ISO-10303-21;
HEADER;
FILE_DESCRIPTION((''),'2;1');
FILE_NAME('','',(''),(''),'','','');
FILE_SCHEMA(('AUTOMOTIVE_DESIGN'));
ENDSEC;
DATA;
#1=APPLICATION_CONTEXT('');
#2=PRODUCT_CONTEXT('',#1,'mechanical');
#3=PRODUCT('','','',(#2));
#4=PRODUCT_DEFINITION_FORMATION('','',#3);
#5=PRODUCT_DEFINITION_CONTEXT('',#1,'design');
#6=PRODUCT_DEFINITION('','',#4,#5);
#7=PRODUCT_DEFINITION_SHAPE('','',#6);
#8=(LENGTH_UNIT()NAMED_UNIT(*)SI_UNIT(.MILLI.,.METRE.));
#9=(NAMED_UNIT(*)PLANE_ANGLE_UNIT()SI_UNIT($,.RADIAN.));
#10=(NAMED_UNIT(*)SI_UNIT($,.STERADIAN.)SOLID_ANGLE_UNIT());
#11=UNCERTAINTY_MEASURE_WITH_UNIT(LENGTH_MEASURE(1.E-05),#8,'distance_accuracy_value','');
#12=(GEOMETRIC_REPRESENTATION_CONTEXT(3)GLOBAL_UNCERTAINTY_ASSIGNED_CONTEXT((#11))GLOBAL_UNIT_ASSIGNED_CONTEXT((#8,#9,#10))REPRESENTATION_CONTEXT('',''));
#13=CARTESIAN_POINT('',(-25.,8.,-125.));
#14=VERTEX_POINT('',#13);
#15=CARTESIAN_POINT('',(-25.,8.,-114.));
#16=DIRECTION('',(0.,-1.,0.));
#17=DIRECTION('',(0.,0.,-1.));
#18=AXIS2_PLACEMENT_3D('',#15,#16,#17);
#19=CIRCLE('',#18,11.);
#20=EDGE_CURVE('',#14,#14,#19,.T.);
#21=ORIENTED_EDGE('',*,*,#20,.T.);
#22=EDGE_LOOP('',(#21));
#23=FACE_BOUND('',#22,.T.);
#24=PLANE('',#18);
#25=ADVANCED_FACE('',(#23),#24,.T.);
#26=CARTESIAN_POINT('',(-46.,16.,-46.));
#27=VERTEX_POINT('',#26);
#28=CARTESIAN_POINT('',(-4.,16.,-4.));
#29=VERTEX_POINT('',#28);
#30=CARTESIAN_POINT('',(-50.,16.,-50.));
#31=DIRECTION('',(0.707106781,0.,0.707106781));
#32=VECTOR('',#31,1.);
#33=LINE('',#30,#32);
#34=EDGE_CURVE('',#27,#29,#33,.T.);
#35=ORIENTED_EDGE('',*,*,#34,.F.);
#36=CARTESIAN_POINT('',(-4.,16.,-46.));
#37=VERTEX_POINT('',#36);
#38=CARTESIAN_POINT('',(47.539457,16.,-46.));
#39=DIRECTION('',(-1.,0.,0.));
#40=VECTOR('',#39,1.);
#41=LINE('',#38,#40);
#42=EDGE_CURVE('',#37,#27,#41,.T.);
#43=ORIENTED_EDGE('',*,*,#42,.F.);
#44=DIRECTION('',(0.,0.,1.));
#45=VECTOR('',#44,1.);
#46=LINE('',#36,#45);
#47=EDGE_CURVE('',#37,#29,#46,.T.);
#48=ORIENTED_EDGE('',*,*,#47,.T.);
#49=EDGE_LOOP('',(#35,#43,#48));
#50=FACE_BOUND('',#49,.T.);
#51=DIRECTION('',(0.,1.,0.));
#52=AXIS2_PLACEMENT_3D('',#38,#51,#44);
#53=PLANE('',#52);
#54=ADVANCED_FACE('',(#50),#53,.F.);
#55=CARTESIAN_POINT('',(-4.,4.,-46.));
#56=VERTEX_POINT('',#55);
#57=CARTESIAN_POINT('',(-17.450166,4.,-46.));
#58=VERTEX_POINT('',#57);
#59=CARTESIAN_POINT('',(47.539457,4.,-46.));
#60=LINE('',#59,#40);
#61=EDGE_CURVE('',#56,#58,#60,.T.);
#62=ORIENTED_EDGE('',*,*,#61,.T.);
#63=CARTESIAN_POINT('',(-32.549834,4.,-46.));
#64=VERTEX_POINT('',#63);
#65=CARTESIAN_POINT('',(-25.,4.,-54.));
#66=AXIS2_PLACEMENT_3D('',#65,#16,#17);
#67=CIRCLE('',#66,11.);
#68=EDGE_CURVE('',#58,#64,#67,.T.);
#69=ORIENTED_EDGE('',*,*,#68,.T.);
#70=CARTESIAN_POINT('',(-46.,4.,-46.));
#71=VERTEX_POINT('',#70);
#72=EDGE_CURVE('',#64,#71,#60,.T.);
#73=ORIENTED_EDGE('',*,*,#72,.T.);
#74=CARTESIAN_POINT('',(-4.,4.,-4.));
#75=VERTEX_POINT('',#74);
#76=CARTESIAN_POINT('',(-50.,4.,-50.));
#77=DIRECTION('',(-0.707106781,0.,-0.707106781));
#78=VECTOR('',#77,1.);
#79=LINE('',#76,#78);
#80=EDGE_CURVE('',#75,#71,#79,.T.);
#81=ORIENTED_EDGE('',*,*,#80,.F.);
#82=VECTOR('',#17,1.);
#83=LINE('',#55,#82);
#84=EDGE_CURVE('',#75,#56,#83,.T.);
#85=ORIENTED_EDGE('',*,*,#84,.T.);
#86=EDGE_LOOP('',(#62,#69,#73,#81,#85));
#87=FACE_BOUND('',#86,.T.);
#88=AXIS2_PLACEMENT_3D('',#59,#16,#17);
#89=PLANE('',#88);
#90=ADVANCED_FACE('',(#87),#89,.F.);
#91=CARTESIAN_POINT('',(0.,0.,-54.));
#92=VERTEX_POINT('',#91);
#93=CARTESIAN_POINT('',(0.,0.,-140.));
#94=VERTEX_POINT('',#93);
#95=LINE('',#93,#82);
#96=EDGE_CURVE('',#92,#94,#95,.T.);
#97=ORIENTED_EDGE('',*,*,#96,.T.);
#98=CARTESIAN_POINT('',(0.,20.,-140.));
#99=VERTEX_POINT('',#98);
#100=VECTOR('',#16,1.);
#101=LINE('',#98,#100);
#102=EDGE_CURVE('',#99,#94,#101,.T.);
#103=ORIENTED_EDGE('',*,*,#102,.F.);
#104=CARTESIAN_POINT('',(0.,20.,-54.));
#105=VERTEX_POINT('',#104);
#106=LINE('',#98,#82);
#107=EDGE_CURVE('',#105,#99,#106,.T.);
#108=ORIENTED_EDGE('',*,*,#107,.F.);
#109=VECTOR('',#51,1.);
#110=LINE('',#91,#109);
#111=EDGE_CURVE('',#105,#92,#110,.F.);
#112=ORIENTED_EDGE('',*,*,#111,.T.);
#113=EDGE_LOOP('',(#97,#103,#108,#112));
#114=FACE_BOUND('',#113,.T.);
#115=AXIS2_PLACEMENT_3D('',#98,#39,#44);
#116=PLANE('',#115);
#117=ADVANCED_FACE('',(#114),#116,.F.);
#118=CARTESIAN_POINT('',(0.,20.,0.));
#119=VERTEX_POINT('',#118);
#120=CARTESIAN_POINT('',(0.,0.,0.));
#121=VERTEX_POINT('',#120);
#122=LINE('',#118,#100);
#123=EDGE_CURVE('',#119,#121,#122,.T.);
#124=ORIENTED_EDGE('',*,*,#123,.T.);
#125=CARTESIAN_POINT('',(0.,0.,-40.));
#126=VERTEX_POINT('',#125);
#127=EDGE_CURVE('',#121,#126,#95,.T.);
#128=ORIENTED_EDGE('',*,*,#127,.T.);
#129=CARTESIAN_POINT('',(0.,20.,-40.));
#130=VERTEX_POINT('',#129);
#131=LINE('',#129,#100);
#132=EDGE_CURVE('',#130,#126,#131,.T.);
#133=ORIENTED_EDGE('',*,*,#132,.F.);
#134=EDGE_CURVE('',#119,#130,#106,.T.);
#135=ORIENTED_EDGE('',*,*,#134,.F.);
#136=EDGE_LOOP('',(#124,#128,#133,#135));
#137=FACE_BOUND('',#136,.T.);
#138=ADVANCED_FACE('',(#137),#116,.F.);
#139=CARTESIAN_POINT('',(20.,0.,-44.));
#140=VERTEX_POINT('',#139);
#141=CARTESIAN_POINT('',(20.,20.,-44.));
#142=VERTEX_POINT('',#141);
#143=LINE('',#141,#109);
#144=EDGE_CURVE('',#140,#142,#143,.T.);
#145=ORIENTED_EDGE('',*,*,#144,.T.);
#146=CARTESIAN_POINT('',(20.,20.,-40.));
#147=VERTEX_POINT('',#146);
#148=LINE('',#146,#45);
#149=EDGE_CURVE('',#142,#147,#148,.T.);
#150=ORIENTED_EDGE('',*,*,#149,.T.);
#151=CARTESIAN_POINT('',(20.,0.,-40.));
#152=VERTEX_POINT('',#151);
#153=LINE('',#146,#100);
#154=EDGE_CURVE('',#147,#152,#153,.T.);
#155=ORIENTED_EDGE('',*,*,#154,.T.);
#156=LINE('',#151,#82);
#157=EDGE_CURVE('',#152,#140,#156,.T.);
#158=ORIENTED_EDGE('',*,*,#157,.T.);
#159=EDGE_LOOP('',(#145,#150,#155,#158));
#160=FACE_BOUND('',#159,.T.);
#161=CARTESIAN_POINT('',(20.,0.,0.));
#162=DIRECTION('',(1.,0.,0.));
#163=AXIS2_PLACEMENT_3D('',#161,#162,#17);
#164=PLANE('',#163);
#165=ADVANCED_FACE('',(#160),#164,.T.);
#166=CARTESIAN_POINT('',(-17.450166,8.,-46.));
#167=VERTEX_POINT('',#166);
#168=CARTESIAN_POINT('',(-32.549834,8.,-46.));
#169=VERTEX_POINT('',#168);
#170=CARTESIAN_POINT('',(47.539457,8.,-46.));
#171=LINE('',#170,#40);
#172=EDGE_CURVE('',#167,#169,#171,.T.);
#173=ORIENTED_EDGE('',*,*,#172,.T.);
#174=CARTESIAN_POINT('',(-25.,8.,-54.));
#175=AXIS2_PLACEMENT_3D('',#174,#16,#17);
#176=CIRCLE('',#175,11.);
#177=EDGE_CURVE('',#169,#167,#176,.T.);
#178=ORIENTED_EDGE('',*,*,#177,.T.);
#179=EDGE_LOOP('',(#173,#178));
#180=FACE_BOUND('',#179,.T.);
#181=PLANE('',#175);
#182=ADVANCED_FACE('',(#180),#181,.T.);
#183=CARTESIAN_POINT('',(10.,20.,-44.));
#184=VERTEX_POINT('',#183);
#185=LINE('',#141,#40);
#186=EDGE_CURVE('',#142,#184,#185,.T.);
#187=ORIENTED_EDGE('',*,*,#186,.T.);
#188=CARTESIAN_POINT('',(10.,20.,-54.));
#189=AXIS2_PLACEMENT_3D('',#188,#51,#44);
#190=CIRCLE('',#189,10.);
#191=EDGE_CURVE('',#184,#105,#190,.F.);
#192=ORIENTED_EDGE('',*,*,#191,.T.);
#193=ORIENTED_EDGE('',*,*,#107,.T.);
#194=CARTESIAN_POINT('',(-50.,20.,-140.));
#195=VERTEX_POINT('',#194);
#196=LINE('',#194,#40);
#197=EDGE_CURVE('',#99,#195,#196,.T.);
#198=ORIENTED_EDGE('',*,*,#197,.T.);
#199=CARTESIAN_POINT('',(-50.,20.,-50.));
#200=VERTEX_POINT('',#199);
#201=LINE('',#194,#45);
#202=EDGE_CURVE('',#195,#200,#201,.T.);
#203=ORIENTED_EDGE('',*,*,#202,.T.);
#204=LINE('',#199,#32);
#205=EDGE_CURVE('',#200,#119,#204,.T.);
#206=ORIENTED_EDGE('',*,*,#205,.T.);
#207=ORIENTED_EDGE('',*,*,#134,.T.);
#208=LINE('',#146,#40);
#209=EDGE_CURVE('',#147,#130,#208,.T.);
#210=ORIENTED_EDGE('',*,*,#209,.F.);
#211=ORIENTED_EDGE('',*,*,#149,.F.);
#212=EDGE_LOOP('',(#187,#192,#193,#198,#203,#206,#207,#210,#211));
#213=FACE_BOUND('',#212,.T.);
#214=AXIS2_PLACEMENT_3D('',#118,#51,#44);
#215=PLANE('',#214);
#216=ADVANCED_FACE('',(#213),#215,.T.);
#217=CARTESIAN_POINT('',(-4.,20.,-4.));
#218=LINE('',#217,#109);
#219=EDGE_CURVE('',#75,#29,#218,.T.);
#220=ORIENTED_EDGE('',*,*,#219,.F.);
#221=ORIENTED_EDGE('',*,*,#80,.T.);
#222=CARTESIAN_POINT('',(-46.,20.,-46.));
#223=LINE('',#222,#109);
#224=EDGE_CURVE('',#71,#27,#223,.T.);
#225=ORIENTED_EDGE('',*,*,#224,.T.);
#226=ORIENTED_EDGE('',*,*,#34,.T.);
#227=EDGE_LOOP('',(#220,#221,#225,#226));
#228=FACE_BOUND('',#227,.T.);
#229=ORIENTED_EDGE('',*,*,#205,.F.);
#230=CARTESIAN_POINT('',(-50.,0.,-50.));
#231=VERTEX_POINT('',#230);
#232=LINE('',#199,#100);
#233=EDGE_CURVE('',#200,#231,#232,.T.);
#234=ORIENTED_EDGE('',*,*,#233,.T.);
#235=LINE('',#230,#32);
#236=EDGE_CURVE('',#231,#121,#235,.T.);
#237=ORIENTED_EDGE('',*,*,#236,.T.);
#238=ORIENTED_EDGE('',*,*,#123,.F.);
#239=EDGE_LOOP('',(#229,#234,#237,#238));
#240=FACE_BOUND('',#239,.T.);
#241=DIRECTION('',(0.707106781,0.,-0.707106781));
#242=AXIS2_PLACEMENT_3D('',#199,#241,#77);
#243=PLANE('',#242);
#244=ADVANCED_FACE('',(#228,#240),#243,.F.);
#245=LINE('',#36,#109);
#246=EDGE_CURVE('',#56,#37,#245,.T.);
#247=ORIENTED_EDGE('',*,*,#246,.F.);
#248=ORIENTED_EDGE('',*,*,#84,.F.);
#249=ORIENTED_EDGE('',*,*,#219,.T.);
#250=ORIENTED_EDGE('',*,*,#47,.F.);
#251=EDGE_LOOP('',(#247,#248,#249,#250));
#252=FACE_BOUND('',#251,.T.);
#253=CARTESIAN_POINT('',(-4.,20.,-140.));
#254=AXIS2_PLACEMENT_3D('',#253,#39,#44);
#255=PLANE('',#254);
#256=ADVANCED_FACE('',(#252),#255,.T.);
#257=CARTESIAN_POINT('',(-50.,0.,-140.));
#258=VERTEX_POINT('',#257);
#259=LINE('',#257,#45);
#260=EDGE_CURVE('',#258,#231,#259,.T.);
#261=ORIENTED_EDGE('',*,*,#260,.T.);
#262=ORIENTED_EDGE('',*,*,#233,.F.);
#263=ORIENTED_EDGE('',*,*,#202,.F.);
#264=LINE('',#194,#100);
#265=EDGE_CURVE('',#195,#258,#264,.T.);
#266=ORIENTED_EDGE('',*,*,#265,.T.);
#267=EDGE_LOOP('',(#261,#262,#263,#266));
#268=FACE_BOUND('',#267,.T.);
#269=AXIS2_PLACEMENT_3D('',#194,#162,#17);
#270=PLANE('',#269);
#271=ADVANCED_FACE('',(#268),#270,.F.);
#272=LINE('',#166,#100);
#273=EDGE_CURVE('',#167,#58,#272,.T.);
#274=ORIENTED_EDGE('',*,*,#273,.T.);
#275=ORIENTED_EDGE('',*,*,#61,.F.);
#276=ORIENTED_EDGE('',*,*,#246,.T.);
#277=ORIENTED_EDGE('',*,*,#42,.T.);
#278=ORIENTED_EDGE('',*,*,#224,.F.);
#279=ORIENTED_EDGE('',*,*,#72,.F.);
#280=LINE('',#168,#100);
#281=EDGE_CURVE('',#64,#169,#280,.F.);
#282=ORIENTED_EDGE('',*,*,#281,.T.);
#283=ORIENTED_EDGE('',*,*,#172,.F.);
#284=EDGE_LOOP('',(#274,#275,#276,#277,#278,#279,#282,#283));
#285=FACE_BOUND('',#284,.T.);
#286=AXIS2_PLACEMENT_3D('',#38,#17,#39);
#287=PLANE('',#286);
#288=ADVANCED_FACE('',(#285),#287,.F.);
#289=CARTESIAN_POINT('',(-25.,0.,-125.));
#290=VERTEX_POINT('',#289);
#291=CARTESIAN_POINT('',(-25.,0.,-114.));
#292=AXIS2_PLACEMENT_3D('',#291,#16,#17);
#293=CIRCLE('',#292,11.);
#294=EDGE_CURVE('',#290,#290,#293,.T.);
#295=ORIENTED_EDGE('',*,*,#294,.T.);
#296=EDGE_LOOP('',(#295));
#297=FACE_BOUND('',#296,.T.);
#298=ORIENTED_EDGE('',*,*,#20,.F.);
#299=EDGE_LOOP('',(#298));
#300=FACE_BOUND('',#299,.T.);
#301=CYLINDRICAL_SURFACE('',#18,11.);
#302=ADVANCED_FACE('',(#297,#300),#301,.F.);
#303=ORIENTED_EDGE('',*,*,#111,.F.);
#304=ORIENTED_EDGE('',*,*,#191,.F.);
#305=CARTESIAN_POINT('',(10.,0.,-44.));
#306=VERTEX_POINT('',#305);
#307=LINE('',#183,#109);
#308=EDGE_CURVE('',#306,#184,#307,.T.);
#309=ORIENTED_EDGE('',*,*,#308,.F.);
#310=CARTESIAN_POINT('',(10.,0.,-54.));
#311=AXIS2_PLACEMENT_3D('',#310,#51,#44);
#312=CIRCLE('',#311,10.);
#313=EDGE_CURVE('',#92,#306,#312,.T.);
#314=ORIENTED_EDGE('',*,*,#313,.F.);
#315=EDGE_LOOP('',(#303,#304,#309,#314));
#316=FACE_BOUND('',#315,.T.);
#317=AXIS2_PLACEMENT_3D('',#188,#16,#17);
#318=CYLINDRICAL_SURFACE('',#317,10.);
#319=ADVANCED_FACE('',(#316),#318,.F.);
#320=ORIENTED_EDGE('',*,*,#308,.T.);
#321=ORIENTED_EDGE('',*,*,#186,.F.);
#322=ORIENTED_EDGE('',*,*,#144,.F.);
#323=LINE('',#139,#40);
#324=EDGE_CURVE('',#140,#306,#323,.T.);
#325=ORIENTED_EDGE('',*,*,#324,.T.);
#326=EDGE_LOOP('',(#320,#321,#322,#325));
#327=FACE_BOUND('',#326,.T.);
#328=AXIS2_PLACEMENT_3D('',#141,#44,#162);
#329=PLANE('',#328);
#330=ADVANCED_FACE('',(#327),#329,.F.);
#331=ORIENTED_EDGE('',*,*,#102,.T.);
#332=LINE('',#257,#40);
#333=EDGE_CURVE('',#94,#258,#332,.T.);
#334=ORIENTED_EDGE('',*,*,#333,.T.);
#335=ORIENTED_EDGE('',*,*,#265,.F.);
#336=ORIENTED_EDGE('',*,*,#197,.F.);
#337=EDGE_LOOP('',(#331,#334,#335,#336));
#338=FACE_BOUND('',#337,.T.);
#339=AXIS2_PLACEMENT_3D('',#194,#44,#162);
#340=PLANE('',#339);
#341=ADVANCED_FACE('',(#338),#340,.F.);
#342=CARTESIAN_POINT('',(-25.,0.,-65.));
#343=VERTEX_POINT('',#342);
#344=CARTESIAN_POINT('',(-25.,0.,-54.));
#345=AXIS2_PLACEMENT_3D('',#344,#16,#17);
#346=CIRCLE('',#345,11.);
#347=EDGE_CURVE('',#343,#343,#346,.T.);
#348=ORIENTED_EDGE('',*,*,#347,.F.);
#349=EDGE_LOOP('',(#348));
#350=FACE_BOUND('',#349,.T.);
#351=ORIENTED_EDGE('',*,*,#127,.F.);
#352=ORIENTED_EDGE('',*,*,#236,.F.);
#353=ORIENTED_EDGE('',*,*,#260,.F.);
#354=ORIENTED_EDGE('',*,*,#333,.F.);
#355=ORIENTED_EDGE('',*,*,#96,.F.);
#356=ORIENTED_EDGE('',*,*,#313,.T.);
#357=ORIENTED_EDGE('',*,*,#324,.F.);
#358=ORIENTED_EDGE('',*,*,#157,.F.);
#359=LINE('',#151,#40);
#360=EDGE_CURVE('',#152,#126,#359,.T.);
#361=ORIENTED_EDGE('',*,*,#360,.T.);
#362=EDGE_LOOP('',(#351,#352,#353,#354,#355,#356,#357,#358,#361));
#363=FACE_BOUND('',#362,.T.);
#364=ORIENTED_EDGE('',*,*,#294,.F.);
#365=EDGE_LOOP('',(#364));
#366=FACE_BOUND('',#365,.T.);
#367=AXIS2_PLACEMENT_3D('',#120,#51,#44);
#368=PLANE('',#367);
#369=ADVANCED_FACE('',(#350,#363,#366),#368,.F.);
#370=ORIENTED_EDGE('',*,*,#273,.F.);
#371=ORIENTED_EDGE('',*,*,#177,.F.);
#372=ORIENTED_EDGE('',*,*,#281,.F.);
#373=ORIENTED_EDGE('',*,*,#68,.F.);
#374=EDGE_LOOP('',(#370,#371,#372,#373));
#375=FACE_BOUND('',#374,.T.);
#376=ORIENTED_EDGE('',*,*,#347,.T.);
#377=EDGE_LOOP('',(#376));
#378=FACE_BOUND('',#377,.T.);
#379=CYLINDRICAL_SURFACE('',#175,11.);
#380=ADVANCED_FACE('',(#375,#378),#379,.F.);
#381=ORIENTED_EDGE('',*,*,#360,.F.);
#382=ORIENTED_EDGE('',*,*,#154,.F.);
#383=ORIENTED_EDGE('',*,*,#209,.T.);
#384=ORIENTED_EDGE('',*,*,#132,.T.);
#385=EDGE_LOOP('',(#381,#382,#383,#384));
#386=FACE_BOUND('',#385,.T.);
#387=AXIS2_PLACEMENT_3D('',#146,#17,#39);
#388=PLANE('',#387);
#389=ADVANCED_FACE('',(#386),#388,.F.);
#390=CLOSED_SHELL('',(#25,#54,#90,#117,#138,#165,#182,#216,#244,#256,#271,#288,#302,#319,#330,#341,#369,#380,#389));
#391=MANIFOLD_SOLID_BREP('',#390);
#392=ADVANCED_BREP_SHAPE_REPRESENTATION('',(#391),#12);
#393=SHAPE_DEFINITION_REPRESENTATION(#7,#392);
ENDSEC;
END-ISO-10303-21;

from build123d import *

# Parameters (mm, degrees)
BOSS_EXTRUDE1_DEPTH = 20
SKETCH2_W           = 4
SKETCH2_H           = 20
BOSS_EXTRUDE2_DEPTH = 20
SKETCH3_W           = 46
SKETCH3_H           = 12
CUT_EXTRUDE1_DEPTH  = 46
SKETCH4_R           = 11
CUT_EXTRUDE2_DEPTH  = 8
FILLET1_R           = 10


with BuildPart() as part:
    # Sketch1 → Boss-Extrude1 (new body)
    with BuildSketch(Plane(origin=(0, 0, 0), x_dir=(1, 0, 0), z_dir=(0, 1, 0))):
        Polygon((-50, 50), (0, 0), (0, 140), (-50, 140), align=None)
    extrude(amount=BOSS_EXTRUDE1_DEPTH)

    # Sketch2 → Boss-Extrude2 (add)
    with BuildSketch(Plane(origin=(0, 0, 0), x_dir=(0, 0, -1), z_dir=(1, 0, 0))):
        with Locations((42, 10)):
            Rectangle(SKETCH2_W, SKETCH2_H)
    extrude(amount=BOSS_EXTRUDE2_DEPTH)

    # Sketch3 → Cut-Extrude1 (cut)
    with BuildSketch(Plane.ZY.offset(50)):
        with Locations((-23, 10)):
            Rectangle(SKETCH3_W, SKETCH3_H)
    extrude(amount=-CUT_EXTRUDE1_DEPTH, mode=Mode.SUBTRACT)

    # Sketch4 → Cut-Extrude2 (cut)
    with BuildSketch(Plane.XZ):
        with Locations((-25, -54)):
            Circle(SKETCH4_R)
        with Locations((-25, -114)):
            Circle(SKETCH4_R)
    extrude(amount=-CUT_EXTRUDE2_DEPTH, mode=Mode.SUBTRACT)

    # Fillet1
    fillet1_edges = [part.edges().sort_by_distance(p)[0] for p in [
        (0, 10, -44),
    ]]
    fillet(fillet1_edges, radius=FILLET1_R)


solid = part.part
